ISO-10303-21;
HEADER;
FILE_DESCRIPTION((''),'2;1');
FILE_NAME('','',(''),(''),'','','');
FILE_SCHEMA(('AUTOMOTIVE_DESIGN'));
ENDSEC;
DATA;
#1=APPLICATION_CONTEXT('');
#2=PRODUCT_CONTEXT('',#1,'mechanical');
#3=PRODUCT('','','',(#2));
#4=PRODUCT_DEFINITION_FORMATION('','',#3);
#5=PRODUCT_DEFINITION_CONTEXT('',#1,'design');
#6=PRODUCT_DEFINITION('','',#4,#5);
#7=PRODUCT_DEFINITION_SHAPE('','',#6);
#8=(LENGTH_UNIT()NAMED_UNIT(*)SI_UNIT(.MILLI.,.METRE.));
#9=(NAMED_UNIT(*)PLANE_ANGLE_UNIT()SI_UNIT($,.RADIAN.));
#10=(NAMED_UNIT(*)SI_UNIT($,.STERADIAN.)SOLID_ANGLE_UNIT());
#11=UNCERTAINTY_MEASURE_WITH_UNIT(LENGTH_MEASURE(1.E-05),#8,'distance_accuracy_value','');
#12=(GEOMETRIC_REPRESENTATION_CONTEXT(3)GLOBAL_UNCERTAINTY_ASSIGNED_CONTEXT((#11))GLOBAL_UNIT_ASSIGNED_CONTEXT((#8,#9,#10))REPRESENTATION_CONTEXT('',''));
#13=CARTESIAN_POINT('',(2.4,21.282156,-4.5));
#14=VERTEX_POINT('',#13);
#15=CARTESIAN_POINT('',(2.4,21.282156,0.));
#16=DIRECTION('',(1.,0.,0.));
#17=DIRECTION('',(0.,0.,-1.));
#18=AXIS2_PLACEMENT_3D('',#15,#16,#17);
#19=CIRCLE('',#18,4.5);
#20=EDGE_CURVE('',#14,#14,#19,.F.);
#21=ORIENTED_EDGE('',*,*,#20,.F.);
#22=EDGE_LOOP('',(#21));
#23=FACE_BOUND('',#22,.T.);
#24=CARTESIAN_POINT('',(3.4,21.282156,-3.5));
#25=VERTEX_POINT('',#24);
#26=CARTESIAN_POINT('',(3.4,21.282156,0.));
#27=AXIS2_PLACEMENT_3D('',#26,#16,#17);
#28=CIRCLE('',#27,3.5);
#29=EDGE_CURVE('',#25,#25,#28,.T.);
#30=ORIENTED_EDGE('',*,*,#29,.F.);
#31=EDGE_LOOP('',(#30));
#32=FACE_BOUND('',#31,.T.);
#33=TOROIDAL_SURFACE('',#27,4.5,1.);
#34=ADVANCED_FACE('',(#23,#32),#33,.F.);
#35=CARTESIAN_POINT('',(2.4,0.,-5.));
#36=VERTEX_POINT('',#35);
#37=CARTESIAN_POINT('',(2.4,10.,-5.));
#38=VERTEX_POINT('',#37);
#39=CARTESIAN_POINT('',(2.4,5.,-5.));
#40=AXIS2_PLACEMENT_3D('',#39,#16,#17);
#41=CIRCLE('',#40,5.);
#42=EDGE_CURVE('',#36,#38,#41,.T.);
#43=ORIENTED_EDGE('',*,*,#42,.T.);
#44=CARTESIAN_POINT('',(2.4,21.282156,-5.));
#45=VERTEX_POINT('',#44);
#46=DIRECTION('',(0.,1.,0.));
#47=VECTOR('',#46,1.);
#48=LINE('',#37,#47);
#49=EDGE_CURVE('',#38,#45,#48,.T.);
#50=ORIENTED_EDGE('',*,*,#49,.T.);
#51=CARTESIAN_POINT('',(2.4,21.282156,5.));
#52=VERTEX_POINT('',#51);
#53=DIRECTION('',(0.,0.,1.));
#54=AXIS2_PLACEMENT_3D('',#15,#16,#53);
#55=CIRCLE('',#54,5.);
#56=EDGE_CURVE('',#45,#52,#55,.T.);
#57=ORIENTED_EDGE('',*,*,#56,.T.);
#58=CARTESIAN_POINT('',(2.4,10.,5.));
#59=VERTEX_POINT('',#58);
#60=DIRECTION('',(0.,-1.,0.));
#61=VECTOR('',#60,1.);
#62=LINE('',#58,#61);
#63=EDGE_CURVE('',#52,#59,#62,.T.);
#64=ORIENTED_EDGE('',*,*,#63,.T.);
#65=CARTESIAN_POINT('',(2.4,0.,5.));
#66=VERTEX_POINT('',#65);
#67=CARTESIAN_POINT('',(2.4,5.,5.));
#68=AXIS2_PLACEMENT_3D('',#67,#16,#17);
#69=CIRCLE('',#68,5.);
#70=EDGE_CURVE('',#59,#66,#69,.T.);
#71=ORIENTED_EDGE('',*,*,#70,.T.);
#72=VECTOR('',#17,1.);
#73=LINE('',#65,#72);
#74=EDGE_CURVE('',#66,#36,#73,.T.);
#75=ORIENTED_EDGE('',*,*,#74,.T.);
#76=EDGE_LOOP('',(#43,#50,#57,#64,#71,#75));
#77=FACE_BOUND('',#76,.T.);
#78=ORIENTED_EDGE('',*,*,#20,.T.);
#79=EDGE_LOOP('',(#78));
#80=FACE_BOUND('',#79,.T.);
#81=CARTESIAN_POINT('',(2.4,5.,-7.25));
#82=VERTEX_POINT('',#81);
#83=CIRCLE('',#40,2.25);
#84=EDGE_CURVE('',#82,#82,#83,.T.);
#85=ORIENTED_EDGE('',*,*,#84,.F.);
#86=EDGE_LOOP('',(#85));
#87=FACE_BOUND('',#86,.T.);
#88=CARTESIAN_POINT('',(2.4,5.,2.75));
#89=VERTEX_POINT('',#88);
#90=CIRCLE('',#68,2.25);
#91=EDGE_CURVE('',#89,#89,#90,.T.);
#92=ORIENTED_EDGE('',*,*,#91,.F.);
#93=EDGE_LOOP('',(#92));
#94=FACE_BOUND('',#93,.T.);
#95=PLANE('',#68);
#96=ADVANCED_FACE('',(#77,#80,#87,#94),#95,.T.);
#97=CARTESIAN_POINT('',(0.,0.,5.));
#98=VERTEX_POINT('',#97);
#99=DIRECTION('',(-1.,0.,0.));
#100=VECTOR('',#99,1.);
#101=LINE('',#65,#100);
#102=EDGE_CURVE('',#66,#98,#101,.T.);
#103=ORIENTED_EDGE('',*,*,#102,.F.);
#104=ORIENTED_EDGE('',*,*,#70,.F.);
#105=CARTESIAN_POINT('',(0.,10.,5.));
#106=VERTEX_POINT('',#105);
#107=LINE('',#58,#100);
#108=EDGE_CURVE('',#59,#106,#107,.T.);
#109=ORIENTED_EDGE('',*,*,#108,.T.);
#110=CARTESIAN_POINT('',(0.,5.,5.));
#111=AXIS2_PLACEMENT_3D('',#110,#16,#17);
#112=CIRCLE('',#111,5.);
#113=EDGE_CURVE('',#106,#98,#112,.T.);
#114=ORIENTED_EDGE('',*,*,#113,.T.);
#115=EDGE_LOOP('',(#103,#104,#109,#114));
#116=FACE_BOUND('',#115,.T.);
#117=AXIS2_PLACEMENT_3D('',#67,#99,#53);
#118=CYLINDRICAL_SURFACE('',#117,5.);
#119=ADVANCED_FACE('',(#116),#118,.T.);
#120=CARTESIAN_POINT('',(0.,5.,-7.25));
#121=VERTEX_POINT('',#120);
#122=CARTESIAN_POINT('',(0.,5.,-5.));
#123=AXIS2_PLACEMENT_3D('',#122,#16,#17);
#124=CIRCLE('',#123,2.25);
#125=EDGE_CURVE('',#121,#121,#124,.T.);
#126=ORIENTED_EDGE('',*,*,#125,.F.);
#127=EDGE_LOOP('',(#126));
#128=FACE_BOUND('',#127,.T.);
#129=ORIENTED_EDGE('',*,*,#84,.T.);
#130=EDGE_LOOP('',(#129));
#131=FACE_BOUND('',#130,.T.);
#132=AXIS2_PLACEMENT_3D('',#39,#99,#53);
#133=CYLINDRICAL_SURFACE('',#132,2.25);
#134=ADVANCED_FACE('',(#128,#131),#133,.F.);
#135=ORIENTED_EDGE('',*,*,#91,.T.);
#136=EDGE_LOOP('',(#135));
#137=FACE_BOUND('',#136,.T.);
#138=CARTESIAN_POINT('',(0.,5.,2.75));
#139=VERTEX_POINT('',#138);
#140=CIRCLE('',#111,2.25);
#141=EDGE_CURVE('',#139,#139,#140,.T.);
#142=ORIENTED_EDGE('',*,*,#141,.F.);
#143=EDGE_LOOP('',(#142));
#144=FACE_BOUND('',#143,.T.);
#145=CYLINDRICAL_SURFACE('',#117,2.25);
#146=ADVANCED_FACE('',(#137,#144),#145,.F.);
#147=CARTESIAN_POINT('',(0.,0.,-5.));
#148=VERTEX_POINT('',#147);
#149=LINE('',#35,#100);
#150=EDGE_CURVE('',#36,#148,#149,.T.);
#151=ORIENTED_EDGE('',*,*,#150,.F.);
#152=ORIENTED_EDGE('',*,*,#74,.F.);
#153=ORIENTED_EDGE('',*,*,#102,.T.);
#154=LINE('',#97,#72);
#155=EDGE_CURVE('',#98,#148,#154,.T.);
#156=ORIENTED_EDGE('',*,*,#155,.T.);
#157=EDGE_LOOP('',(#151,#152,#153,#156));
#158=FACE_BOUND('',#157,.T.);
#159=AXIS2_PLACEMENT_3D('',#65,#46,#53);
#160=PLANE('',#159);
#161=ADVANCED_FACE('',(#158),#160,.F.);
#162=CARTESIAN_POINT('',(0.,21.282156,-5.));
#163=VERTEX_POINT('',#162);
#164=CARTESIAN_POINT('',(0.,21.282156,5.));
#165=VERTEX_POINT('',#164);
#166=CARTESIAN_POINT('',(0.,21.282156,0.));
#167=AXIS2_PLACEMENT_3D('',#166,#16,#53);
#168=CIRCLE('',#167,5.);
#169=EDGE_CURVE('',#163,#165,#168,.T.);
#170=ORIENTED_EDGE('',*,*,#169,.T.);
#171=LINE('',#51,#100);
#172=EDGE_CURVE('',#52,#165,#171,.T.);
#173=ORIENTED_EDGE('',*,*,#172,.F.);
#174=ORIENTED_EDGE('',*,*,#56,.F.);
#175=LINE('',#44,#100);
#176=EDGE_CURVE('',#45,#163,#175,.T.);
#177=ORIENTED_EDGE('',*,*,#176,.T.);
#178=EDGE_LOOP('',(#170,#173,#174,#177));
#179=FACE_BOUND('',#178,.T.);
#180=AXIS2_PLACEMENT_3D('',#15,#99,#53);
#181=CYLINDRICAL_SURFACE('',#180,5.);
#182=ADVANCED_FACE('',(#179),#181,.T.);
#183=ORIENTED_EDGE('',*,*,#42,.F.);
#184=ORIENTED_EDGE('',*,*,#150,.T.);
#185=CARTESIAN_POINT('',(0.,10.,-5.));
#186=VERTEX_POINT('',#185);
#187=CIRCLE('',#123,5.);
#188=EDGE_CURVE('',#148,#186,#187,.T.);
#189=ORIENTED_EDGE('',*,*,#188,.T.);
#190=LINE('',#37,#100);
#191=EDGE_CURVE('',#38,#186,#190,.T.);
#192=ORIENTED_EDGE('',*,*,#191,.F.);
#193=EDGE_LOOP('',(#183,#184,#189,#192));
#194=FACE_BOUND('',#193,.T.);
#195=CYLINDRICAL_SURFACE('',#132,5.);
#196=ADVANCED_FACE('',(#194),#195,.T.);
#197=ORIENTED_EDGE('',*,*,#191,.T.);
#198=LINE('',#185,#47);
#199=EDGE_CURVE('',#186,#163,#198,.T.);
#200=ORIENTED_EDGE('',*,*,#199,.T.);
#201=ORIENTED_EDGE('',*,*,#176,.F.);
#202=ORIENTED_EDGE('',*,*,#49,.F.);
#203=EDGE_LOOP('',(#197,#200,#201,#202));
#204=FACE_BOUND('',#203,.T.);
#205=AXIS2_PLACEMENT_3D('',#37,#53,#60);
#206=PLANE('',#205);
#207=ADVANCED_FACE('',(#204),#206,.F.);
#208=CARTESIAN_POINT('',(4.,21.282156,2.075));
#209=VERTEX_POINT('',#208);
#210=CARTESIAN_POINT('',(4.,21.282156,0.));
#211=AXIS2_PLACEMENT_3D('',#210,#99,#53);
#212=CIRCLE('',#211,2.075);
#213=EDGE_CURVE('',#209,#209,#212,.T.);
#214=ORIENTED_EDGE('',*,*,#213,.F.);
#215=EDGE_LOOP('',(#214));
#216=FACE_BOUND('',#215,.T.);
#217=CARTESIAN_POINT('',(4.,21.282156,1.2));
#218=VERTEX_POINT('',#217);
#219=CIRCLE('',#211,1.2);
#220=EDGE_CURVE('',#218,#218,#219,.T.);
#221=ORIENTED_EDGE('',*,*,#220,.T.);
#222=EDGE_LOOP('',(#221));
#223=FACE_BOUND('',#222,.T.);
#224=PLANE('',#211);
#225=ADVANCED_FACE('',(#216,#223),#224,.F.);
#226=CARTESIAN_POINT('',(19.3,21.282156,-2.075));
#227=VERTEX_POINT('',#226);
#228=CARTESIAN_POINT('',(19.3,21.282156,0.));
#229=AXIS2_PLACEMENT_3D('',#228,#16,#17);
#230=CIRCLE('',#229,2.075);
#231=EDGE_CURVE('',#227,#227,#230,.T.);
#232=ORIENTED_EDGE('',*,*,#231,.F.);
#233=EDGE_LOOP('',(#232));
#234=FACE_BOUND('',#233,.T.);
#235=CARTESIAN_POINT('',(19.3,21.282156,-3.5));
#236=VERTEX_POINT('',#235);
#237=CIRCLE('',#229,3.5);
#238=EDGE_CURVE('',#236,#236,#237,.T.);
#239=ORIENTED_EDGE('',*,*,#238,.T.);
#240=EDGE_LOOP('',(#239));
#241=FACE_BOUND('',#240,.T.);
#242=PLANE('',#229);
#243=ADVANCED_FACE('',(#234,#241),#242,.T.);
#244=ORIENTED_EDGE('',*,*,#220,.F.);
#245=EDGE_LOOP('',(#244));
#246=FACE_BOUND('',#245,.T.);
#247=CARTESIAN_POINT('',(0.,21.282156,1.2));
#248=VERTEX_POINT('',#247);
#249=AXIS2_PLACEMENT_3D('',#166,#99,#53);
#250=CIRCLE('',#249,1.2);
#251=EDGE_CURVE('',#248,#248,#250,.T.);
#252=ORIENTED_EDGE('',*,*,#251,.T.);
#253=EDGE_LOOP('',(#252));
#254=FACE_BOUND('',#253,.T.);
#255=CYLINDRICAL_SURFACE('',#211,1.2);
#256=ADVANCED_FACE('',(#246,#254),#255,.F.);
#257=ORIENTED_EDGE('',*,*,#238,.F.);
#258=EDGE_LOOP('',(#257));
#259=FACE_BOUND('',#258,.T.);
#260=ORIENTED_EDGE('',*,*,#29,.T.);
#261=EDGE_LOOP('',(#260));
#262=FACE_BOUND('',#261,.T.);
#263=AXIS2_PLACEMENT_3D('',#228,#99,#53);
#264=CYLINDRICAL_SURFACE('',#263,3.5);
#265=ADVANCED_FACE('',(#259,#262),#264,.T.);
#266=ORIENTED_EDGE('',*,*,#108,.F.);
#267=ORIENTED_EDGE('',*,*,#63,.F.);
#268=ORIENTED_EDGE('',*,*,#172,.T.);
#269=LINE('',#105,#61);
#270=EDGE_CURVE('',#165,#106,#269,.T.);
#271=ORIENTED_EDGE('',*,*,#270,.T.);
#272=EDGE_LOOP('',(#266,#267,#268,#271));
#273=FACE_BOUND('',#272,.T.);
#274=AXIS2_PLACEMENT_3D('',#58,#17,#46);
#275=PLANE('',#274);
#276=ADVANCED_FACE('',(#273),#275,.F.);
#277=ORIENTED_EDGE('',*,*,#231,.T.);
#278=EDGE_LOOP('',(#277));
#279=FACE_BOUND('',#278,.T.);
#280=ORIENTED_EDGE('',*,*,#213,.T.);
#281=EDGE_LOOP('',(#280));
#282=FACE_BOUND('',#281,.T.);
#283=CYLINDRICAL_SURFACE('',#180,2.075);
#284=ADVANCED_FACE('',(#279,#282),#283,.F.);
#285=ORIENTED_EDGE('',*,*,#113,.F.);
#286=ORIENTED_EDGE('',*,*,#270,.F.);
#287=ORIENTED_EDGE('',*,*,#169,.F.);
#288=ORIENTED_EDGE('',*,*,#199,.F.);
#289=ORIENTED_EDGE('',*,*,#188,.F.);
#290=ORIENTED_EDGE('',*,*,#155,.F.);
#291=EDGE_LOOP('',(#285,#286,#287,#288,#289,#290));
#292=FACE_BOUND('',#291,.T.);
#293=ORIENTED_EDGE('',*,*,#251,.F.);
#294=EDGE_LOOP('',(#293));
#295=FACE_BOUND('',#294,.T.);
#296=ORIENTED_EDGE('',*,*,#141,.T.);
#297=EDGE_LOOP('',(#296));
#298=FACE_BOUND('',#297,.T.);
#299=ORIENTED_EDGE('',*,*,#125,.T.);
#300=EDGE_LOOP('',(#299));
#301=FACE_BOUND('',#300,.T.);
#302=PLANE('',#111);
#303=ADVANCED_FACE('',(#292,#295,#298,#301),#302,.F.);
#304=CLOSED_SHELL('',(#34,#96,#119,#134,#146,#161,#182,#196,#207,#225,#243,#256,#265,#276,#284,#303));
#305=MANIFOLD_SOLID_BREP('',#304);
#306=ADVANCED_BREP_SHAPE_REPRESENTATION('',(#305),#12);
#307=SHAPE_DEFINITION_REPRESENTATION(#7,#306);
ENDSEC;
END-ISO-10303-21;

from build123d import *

# Parameters (mm, degrees)
SKETCH_1_R      = 2.25
SKETCH_1_R_2    = 2.075
EXTRUDE_1_DEPTH = 2.4
SKETCH_4_R      = 3.5
SKETCH_4_R_2    = 2.075
EXTRUDE_2_DEPTH = 16.9
FILLET_1_R      = 1
SKETCH_5_R      = 2.075
SKETCH_5_R_2    = 1.2
EXTRUDE_3_DEPTH = 4


with BuildPart() as part:
    # 草图1 → 凸台-拉伸1 (new body)
    with BuildSketch(Plane(origin=(0, 0, 0), x_dir=(0, 0, -1), z_dir=(1, 0, 0))):
        with BuildLine():
            Line((-5, 0), (5, 0))
            ThreePointArc((5, 0), (10, 5), (5, 10))
            Line((5, 10), (5, 21.282156306))
            ThreePointArc((5, 21.282156306), (0, 26.282156306), (-5, 21.282156306))
            Line((-5, 21.282156306), (-5, 10))
            ThreePointArc((-5, 10), (-10, 5), (-5, 0))
        make_face()
        with Locations((-5, 5)):
            Circle(SKETCH_1_R, mode=Mode.SUBTRACT)
        with Locations((5, 5)):
            Circle(SKETCH_1_R, mode=Mode.SUBTRACT)
        with Locations((0, 21.282156306)):
            Circle(SKETCH_1_R_2, mode=Mode.SUBTRACT)
    extrude(amount=EXTRUDE_1_DEPTH)

    # 草图4 → 凸台-拉伸2 (add)
    with BuildSketch(Plane(origin=(2.4, 0, 0), x_dir=(0, 0, -1), z_dir=(1, 0, 0))):
        with Locations((0, 21.282156306)):
            Circle(SKETCH_4_R)
        with Locations((0, 21.282156306)):
            Circle(SKETCH_4_R_2, mode=Mode.SUBTRACT)
    extrude(amount=EXTRUDE_2_DEPTH)

    # 圆角1
    fillet_1_edges = [part.edges().sort_by_distance(p)[0] for p in [
        (2.4, 21.282156306, 3.5),
    ]]
    fillet(fillet_1_edges, radius=FILLET_1_R)

    # 草图5 → 凸台-拉伸3 (add)
    with BuildSketch(Plane.ZY):
        with Locations((0, 21.282156306)):
            Circle(SKETCH_5_R)
        with Locations((0, 21.282156306)):
            Circle(SKETCH_5_R_2, mode=Mode.SUBTRACT)
    extrude(amount=-EXTRUDE_3_DEPTH)


solid = part.part
